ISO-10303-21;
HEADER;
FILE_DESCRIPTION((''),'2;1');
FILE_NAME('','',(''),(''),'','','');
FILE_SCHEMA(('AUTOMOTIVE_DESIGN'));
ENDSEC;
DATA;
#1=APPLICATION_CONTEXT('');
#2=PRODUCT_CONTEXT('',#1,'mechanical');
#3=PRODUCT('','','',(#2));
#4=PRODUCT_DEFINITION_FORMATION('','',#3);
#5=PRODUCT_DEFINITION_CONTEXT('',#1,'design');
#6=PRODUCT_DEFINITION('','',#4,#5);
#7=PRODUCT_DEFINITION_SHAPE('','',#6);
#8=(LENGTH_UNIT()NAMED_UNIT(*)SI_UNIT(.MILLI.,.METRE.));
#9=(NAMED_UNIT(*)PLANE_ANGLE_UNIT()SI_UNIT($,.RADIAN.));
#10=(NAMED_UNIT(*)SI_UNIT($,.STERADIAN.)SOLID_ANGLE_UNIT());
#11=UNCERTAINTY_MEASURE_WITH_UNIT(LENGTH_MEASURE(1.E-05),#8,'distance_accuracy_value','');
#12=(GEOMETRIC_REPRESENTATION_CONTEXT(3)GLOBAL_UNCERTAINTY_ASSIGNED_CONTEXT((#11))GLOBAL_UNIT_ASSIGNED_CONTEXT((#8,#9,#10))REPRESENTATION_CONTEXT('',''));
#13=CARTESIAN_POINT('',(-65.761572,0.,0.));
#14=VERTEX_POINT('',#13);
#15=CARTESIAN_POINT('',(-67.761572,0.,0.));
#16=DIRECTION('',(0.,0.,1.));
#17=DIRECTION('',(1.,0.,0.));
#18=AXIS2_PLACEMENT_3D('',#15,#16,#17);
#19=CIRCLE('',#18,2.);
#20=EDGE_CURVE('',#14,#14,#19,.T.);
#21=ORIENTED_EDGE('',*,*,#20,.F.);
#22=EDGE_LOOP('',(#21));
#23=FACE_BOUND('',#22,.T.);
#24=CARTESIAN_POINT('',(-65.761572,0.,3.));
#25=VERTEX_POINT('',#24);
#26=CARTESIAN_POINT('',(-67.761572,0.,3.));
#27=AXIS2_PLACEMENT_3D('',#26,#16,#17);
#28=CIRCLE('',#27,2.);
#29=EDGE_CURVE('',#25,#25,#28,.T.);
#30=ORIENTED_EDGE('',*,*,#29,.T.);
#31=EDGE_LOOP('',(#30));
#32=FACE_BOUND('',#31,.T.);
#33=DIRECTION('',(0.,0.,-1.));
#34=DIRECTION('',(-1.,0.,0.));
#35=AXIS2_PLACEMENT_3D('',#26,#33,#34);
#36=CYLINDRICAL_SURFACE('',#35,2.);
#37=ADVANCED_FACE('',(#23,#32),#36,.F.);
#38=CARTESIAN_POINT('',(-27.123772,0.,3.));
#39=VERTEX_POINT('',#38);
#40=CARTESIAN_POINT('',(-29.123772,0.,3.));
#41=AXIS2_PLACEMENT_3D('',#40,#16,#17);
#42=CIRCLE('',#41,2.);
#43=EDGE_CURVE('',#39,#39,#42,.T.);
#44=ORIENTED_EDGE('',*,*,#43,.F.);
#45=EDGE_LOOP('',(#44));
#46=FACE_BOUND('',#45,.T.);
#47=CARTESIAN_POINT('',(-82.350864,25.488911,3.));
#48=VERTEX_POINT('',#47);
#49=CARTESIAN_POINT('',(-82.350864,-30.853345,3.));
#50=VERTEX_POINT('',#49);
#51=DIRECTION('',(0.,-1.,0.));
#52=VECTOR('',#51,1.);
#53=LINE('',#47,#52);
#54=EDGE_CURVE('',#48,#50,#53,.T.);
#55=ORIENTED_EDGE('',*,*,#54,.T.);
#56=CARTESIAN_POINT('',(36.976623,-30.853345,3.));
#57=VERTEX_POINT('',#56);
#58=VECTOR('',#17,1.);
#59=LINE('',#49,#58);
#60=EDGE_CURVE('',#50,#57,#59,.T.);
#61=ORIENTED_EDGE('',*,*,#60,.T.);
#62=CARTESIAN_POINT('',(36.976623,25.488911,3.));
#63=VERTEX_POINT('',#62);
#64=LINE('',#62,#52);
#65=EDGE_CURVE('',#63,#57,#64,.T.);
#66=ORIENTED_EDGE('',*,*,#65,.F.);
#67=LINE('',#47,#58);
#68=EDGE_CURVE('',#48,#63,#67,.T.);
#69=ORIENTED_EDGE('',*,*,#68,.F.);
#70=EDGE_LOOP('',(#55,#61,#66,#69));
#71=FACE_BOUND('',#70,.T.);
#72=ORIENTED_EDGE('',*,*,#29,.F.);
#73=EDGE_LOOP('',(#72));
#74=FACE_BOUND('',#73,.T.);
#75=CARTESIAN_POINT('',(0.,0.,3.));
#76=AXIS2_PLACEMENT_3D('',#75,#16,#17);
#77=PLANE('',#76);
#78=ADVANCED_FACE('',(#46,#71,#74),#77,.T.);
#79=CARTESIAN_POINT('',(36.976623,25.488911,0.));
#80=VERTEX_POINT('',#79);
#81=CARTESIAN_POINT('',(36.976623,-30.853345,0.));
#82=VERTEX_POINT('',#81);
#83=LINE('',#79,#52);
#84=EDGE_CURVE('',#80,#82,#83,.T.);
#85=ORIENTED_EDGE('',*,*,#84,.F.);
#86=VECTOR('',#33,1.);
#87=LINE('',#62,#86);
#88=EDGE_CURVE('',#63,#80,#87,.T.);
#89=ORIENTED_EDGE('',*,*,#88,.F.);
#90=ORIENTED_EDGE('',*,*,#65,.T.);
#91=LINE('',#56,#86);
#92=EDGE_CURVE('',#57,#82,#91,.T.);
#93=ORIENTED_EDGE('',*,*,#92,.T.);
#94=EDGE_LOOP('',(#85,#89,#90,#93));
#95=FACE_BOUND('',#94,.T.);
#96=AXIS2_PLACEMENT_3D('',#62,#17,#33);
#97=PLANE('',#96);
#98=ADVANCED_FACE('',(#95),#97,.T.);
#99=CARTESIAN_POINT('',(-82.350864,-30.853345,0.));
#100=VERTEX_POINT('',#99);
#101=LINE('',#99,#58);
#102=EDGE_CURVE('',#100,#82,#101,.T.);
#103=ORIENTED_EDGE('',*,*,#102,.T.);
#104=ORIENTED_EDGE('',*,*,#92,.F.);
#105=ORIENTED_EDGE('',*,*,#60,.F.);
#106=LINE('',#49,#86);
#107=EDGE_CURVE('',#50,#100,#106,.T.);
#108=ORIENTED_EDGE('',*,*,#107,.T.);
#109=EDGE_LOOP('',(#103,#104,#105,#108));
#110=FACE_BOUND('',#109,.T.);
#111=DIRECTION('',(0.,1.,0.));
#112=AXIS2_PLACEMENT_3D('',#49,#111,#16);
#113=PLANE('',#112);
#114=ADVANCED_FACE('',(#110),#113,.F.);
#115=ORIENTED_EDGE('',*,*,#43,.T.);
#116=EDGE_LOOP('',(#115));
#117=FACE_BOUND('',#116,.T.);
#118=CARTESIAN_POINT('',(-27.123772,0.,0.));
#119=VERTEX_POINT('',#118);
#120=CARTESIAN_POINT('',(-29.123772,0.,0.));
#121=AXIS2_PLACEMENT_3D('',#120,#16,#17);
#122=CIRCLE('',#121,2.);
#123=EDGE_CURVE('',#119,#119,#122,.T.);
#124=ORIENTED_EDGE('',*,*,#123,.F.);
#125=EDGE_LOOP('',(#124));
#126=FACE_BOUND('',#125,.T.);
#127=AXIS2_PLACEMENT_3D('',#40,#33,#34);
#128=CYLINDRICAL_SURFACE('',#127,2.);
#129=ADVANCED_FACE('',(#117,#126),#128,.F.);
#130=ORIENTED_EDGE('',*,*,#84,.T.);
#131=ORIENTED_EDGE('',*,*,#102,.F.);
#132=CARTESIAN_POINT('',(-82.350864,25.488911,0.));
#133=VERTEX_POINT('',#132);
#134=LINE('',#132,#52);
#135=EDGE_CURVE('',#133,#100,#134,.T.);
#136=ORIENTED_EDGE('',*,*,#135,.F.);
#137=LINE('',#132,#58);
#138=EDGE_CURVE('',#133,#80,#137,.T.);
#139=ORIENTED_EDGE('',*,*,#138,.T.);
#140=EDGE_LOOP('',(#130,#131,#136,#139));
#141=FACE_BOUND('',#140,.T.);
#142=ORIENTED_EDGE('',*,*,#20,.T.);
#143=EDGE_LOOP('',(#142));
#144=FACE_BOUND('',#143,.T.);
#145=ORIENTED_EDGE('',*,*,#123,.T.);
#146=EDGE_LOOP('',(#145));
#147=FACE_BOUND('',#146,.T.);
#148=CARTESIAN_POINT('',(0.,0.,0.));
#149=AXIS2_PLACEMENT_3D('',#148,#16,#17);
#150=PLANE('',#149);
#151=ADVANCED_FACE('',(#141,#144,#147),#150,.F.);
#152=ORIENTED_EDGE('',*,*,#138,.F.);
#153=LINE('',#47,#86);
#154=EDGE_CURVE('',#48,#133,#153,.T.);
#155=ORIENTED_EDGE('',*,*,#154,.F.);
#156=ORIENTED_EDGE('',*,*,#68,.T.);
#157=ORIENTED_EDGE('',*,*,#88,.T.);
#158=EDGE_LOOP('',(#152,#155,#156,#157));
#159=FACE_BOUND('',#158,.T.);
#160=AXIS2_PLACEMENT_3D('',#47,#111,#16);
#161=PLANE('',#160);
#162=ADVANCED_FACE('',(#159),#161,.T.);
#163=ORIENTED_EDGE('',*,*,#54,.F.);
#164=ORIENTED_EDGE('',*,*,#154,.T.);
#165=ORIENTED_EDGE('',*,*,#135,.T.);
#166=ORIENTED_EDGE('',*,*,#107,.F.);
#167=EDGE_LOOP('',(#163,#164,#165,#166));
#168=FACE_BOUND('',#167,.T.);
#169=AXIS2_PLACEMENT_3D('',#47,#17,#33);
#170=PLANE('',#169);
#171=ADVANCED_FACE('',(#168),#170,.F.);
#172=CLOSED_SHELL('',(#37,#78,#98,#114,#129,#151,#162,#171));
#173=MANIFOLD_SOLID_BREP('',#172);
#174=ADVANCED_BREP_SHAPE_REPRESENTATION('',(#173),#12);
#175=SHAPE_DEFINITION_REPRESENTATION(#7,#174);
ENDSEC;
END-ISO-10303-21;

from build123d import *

# Parameters (mm, degrees)
SKETCH1_W           = 119.327486244
SKETCH1_H           = 56.342256392
SKETCH1_R           = 2
BOSS_EXTRUDE1_DEPTH = 3


with BuildPart() as part:
    # Sketch1 → Boss-Extrude1 (new body)
    with BuildSketch(Plane.XY):
        with Locations((-22.687120389, -2.682216881)):
            Rectangle(SKETCH1_W, SKETCH1_H)
        with Locations((-67.761571669, 0)):
            Circle(SKETCH1_R, mode=Mode.SUBTRACT)
        with Locations((-29.123771669, 0)):
            Circle(SKETCH1_R, mode=Mode.SUBTRACT)
    extrude(amount=BOSS_EXTRUDE1_DEPTH)


solid = part.part
